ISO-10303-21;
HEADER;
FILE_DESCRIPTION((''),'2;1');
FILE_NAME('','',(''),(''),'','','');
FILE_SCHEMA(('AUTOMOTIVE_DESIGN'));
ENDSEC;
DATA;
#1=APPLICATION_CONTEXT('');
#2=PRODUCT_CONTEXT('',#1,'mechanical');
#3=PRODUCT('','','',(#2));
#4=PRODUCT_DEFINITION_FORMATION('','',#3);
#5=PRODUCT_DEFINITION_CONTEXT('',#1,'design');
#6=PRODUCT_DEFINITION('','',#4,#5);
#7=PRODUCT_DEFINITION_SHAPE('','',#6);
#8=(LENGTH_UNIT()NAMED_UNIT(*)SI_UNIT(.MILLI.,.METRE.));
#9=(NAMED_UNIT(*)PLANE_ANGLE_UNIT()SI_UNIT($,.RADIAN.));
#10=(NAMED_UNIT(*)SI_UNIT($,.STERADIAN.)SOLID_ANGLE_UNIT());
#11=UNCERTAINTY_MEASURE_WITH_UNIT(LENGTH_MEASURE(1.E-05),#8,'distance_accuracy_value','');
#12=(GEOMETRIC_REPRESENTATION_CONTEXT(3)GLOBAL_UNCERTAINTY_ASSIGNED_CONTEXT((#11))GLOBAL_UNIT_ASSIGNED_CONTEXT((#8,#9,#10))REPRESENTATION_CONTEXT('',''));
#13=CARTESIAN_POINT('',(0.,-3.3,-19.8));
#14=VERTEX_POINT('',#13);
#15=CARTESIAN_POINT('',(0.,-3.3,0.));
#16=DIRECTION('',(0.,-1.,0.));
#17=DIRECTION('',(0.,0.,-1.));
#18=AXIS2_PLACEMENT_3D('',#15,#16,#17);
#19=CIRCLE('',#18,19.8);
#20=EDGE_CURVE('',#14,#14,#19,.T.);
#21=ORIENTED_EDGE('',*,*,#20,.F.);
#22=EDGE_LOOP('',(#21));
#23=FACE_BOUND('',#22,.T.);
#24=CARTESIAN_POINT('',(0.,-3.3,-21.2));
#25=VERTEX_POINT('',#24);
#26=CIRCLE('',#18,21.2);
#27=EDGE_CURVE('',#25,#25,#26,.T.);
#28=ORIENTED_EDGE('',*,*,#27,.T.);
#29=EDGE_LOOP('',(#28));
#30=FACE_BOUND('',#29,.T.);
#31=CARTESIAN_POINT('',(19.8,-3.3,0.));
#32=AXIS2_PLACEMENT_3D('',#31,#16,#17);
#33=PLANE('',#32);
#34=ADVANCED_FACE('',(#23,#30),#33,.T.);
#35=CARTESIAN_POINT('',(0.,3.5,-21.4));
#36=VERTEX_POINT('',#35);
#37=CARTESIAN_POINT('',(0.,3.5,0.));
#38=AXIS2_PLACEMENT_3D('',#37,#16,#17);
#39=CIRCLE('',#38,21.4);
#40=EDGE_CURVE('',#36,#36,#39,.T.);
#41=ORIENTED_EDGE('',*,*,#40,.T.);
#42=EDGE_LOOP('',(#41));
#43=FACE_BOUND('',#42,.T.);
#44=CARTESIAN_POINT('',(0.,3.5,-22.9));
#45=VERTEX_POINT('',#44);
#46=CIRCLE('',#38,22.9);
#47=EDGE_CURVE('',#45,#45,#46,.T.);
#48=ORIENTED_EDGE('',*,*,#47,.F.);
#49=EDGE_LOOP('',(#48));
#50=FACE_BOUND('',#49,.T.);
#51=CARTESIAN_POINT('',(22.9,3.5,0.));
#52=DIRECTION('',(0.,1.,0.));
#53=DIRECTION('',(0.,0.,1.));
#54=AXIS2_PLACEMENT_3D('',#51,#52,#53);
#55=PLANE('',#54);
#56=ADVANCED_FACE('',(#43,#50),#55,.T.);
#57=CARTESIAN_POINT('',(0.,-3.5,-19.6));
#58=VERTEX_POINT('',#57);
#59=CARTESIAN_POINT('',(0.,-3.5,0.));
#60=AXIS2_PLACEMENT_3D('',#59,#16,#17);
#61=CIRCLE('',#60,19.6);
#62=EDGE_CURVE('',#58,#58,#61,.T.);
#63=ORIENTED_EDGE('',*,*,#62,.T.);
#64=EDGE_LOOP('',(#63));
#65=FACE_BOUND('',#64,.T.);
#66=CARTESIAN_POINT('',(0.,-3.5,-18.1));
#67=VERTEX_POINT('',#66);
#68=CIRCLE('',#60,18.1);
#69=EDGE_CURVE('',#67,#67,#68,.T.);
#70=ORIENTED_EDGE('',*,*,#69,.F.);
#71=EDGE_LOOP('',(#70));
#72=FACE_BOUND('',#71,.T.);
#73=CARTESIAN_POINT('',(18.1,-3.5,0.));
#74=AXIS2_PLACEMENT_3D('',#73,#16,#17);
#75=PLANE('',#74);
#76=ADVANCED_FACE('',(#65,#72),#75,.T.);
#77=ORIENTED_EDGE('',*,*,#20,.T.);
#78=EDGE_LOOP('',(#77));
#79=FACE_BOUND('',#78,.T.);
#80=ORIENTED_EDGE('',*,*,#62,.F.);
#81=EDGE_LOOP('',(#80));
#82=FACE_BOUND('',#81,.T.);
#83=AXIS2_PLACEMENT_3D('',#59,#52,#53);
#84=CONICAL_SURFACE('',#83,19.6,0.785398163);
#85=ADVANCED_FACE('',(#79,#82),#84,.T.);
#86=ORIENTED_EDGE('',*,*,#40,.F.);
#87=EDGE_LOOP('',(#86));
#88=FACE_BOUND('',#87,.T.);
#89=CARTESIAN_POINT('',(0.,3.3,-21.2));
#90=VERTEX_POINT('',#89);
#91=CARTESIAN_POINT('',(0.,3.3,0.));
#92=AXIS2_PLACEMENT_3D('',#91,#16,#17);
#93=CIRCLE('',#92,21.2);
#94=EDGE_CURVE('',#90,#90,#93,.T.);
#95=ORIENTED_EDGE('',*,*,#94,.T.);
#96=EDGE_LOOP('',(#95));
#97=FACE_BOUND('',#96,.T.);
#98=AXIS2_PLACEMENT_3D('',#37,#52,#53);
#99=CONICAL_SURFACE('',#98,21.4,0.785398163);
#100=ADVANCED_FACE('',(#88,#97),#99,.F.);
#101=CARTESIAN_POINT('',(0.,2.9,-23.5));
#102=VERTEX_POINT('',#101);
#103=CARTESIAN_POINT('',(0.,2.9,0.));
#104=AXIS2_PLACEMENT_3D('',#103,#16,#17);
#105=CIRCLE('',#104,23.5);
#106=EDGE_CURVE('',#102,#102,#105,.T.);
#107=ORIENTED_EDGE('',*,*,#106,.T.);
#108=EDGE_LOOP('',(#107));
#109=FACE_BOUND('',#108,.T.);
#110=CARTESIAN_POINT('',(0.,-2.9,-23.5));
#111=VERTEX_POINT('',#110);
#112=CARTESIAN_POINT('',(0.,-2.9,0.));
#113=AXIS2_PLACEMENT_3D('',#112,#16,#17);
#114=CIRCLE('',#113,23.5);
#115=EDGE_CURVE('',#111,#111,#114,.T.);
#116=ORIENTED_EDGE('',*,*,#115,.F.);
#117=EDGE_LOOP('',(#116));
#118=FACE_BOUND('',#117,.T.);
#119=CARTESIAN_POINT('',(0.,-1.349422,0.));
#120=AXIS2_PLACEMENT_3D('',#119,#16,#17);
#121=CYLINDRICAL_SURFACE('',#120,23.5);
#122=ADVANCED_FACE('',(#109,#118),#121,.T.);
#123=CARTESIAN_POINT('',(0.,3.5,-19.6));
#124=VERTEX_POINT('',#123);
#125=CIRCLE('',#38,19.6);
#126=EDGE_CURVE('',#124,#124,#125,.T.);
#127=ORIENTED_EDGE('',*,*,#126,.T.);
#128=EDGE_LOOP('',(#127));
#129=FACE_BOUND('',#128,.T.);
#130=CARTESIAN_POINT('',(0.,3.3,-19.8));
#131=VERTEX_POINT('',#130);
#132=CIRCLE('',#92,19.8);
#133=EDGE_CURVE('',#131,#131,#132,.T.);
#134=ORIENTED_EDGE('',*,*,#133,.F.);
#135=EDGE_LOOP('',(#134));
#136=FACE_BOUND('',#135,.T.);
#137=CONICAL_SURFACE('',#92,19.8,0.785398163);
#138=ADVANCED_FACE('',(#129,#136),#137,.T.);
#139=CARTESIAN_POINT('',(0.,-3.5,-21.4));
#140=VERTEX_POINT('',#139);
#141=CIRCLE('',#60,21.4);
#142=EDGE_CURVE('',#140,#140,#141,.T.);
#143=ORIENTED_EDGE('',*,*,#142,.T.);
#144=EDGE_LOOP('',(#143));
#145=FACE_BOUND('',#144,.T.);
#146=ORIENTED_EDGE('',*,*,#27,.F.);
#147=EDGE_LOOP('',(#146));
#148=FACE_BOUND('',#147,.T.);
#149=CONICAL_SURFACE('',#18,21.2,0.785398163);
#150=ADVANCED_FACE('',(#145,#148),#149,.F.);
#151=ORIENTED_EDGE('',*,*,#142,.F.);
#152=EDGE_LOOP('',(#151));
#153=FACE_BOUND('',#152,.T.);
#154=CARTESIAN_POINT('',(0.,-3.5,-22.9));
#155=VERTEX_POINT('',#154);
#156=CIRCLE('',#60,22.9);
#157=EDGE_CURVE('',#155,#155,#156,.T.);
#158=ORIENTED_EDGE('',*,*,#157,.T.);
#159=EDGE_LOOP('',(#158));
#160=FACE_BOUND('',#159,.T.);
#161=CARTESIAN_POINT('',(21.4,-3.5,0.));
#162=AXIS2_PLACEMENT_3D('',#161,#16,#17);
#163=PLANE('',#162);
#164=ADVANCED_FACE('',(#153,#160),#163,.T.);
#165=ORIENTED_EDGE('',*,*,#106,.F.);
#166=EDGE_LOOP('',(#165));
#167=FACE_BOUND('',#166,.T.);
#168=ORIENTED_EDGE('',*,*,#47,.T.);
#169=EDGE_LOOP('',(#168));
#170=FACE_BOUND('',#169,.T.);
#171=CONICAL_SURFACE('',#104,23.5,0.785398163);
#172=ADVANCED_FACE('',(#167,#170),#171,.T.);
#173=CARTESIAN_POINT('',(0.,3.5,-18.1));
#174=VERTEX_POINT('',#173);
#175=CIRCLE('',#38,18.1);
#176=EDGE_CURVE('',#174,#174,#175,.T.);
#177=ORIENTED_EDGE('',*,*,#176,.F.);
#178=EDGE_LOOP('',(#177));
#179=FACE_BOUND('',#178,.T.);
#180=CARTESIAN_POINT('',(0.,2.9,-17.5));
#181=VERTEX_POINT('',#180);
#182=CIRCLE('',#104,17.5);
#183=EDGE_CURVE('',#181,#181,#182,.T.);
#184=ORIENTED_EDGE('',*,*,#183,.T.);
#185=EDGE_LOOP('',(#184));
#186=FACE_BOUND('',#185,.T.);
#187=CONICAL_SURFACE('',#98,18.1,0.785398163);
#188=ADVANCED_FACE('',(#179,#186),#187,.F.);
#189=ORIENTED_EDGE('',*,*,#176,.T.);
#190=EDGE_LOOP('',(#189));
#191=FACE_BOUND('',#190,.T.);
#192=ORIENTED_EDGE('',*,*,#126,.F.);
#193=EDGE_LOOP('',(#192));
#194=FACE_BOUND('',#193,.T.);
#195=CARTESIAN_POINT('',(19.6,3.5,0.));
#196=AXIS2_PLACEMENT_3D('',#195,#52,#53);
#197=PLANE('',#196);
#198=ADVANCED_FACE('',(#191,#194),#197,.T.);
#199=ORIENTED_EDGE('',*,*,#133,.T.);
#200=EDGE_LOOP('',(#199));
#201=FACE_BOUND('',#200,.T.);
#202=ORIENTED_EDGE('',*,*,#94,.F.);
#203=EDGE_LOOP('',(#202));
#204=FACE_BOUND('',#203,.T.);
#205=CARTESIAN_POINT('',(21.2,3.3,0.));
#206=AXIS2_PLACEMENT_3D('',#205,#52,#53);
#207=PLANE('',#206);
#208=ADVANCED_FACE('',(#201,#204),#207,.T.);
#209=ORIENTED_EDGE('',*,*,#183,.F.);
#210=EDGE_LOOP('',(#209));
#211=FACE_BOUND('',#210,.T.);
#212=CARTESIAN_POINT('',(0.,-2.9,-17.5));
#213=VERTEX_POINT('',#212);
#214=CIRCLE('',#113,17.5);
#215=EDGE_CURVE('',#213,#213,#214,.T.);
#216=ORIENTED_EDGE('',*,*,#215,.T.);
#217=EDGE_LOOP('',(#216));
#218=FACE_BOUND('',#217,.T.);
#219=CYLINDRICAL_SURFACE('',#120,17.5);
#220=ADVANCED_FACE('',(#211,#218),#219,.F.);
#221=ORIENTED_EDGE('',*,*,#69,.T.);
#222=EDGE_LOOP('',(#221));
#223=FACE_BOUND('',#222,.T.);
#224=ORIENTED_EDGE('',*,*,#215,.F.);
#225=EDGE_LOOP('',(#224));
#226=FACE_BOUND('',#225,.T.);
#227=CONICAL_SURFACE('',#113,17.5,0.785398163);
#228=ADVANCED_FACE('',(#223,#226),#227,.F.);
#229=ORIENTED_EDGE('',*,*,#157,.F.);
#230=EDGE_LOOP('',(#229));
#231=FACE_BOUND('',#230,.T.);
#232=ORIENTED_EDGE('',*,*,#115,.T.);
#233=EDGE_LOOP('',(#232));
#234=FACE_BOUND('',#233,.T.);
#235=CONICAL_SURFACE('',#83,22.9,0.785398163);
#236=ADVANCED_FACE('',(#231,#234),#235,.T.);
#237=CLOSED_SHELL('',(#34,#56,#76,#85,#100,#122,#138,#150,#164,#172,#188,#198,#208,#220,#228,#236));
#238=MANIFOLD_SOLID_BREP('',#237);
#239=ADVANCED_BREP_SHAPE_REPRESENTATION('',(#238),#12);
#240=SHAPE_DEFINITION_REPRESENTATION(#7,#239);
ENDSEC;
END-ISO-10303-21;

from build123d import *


with BuildPart() as part:
    # Sketch1 → Revolve1 (revolve)
    with BuildSketch(Plane.XY):
        Polygon((17.5, 2.9), (17.5, -2.9), (18.1, -3.5), (19.6, -3.5), (19.8, -3.3), (21.2, -3.3), (21.4, -3.5), (22.9, -3.5), (23.5, -2.9), (23.5, 2.9), (22.9, 3.5), (21.4, 3.5), (21.2, 3.3), (19.8, 3.3), (19.6, 3.5), (18.1, 3.5), align=None)
    revolve(axis=Axis((0, -1.349421972, 0), (0, 1, 0)))


solid = part.part
